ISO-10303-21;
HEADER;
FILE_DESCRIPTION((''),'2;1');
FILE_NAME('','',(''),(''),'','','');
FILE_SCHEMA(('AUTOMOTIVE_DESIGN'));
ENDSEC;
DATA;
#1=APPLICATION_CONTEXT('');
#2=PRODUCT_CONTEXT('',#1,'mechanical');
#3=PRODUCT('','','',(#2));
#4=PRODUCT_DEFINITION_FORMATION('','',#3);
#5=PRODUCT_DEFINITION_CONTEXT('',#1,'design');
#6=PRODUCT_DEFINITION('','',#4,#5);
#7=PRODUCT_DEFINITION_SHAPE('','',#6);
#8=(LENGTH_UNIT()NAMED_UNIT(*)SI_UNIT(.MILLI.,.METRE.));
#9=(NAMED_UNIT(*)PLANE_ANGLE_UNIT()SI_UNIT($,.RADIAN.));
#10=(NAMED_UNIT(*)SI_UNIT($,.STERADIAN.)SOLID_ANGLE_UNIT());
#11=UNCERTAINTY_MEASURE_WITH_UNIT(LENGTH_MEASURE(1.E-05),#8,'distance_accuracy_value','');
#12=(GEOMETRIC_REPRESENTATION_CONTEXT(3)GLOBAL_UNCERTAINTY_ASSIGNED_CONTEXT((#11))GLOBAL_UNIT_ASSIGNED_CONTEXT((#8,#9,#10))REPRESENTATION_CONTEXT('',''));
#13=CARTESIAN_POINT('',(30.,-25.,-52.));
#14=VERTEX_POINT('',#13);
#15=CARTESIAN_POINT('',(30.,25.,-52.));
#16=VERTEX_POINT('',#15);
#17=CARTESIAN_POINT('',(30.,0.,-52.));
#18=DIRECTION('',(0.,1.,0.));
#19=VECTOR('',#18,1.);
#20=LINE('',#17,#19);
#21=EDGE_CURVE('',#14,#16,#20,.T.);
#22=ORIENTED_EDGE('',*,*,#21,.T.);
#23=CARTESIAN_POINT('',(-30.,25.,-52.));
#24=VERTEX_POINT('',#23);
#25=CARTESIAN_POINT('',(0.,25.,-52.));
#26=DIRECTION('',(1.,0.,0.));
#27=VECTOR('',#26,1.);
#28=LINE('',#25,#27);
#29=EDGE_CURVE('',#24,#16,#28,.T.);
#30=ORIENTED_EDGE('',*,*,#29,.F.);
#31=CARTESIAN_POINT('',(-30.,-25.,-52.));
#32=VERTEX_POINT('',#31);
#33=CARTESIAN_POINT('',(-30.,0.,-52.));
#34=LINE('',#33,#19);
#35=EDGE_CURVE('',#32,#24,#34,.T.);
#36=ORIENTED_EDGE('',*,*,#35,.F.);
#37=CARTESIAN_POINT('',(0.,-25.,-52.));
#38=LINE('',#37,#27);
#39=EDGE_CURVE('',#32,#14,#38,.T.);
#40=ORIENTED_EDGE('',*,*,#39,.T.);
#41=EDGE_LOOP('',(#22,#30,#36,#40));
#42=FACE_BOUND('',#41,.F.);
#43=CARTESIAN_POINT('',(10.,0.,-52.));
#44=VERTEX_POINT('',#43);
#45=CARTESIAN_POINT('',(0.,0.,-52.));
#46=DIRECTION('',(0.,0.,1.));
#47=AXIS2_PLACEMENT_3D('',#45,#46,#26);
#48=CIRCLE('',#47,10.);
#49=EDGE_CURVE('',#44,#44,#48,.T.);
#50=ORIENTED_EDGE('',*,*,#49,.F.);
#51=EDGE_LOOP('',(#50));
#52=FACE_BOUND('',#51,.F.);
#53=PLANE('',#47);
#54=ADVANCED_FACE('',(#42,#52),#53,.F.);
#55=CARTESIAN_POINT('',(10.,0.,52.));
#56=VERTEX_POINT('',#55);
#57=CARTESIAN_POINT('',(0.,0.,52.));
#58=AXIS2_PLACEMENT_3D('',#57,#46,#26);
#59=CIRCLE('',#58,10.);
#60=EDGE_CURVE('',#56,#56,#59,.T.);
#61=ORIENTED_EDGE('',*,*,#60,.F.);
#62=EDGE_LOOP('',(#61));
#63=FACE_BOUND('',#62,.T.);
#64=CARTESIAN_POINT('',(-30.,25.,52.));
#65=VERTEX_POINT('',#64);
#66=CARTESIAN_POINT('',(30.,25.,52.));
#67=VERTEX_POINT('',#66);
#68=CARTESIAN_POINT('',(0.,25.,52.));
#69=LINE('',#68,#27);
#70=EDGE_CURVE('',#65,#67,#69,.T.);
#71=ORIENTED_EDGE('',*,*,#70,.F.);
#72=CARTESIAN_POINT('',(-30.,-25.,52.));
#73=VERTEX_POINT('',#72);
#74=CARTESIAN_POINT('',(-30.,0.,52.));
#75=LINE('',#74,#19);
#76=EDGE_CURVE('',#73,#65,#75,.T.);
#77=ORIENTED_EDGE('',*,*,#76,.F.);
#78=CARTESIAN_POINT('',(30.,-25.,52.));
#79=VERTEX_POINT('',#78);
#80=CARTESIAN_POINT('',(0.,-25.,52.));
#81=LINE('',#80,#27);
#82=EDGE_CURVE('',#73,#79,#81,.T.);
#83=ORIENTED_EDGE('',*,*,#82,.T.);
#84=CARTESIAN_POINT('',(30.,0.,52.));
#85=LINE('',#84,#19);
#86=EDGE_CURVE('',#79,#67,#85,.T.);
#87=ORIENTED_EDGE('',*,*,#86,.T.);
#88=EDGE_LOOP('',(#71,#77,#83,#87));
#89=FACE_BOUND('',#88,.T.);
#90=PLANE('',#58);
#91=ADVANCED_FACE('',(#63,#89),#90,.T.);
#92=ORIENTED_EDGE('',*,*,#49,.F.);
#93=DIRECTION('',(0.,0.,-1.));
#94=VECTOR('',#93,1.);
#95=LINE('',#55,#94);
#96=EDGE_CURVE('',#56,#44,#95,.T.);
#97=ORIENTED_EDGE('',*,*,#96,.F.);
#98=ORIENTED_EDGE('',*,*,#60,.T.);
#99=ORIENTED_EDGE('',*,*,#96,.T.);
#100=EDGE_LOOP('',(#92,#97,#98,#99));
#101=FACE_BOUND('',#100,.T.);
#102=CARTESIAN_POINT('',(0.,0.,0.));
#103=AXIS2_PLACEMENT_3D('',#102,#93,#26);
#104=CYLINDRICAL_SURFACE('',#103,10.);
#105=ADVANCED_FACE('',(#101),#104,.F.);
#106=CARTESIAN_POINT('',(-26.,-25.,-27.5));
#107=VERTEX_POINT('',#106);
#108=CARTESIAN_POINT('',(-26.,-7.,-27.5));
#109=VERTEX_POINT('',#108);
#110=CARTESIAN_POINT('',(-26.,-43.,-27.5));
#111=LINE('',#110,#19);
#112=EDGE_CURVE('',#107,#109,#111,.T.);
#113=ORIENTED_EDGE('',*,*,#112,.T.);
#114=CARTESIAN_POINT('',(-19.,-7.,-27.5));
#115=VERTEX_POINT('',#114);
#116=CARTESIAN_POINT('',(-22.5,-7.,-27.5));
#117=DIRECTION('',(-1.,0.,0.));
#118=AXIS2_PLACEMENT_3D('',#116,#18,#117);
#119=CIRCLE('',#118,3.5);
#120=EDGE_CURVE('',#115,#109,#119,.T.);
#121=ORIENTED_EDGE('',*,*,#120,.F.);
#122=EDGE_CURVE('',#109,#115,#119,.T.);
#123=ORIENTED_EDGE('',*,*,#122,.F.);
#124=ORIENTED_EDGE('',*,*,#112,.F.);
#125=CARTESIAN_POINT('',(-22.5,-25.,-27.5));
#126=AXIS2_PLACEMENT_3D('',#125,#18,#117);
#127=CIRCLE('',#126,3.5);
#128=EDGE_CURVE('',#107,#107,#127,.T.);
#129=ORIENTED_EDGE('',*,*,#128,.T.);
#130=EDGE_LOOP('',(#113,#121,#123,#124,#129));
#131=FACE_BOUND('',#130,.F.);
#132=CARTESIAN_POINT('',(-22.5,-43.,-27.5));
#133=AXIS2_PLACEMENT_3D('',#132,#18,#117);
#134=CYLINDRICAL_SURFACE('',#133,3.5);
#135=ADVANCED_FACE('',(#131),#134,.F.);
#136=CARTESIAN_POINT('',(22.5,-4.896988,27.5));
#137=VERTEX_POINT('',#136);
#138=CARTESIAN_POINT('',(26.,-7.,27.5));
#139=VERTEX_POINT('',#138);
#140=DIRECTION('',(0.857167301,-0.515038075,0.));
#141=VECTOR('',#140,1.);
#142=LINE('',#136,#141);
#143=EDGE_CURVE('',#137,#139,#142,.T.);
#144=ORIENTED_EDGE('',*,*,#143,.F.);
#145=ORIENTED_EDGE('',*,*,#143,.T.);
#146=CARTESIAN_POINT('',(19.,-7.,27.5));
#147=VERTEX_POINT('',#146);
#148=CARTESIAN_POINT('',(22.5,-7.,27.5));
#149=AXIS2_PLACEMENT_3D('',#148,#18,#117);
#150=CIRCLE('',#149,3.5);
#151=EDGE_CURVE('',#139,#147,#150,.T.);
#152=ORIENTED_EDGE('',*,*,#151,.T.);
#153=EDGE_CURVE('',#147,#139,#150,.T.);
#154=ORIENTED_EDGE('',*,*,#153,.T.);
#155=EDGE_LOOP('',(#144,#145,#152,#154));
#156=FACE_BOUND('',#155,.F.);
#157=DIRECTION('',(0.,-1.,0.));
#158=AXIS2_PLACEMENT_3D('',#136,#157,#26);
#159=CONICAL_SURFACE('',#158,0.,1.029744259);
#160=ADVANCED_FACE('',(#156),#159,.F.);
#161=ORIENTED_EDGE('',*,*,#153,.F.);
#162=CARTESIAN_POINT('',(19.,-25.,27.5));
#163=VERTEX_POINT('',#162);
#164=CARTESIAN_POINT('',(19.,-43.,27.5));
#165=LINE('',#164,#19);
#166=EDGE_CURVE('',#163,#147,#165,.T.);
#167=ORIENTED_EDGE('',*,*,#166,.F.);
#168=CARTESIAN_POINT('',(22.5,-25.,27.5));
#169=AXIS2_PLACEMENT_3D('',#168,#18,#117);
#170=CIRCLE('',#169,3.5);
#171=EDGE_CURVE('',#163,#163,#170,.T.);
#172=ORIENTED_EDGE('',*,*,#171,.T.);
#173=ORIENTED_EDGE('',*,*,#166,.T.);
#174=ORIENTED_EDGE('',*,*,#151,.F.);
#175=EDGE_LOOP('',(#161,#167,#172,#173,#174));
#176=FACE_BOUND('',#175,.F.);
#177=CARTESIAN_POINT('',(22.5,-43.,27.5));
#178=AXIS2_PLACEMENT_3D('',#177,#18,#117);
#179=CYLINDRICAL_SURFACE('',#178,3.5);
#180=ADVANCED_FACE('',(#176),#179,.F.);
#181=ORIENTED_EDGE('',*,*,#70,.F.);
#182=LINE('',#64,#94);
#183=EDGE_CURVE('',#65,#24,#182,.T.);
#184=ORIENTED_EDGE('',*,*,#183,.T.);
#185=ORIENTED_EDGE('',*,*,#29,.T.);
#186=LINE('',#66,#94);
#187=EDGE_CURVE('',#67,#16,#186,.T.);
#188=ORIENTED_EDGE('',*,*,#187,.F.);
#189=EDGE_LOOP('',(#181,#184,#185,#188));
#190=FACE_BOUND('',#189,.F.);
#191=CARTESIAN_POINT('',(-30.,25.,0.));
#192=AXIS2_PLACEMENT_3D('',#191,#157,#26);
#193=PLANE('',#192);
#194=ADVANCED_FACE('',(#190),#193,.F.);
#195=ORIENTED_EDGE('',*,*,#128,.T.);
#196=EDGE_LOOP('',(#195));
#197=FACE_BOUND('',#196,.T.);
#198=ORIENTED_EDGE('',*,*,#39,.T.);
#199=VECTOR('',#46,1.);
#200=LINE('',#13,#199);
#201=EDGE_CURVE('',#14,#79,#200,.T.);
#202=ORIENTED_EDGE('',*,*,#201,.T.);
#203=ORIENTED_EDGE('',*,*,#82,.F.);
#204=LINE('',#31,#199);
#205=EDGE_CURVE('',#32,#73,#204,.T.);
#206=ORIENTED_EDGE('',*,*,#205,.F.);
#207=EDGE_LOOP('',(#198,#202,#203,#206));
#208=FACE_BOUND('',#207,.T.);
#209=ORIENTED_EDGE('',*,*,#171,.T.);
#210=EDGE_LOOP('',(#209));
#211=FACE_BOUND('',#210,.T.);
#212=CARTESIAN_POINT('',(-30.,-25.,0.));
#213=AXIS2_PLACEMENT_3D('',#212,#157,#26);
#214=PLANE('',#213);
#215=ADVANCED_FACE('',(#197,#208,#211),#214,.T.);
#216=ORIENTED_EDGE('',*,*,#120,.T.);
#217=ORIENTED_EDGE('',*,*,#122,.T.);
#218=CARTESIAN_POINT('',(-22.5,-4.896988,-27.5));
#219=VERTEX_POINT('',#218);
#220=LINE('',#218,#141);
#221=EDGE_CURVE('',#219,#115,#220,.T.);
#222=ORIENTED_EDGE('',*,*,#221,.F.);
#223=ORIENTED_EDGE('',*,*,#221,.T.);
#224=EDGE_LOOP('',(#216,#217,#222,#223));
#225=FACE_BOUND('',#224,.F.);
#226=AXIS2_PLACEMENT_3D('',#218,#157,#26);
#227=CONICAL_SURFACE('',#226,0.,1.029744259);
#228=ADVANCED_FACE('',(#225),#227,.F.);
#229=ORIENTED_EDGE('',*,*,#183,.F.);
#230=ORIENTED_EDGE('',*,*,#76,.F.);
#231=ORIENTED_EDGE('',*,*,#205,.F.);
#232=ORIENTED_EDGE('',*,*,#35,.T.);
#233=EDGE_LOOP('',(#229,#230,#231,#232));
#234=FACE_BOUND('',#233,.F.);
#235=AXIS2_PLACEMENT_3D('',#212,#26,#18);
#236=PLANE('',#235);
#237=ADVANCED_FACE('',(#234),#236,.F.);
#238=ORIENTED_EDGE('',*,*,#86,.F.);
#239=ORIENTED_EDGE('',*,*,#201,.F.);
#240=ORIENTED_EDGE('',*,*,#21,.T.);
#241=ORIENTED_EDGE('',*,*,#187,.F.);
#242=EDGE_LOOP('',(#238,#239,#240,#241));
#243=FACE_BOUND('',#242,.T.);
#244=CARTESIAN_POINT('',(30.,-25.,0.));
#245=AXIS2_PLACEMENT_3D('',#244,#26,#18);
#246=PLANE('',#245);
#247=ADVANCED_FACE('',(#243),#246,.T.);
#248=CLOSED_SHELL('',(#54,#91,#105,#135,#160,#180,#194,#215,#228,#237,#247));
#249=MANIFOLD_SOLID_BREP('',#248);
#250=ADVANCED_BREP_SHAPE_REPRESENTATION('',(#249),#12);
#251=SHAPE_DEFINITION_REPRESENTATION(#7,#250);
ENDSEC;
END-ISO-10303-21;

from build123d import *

# Parameters (mm, degrees)
F0_W     = 60
F0_H     = 50
F0_R     = 10
F1_DEPTH = 52
F3_D     = 7
F3_DEPTH = 18
F3_TIP   = 2.1030121666


with BuildPart() as f1:
    # F0 (on Top) → F1 (new body, symmetric)
    with BuildSketch(Plane.XY):
        Rectangle(F0_W, F0_H)
        Circle(F0_R, mode=Mode.SUBTRACT)
    extrude(amount=F1_DEPTH, both=True)

    # F3
    with Locations(Plane.XZ.offset(25)):
        with Locations((22.5, 27.5), (-22.5, -27.5)):
            Hole(F3_D / 2, depth=F3_DEPTH)
            with Locations((0, 0, -(F3_DEPTH + F3_TIP / 2))):  # 118° drill point
                Cone(0, F3_D / 2, F3_TIP, mode=Mode.SUBTRACT)


solid = f1.part
